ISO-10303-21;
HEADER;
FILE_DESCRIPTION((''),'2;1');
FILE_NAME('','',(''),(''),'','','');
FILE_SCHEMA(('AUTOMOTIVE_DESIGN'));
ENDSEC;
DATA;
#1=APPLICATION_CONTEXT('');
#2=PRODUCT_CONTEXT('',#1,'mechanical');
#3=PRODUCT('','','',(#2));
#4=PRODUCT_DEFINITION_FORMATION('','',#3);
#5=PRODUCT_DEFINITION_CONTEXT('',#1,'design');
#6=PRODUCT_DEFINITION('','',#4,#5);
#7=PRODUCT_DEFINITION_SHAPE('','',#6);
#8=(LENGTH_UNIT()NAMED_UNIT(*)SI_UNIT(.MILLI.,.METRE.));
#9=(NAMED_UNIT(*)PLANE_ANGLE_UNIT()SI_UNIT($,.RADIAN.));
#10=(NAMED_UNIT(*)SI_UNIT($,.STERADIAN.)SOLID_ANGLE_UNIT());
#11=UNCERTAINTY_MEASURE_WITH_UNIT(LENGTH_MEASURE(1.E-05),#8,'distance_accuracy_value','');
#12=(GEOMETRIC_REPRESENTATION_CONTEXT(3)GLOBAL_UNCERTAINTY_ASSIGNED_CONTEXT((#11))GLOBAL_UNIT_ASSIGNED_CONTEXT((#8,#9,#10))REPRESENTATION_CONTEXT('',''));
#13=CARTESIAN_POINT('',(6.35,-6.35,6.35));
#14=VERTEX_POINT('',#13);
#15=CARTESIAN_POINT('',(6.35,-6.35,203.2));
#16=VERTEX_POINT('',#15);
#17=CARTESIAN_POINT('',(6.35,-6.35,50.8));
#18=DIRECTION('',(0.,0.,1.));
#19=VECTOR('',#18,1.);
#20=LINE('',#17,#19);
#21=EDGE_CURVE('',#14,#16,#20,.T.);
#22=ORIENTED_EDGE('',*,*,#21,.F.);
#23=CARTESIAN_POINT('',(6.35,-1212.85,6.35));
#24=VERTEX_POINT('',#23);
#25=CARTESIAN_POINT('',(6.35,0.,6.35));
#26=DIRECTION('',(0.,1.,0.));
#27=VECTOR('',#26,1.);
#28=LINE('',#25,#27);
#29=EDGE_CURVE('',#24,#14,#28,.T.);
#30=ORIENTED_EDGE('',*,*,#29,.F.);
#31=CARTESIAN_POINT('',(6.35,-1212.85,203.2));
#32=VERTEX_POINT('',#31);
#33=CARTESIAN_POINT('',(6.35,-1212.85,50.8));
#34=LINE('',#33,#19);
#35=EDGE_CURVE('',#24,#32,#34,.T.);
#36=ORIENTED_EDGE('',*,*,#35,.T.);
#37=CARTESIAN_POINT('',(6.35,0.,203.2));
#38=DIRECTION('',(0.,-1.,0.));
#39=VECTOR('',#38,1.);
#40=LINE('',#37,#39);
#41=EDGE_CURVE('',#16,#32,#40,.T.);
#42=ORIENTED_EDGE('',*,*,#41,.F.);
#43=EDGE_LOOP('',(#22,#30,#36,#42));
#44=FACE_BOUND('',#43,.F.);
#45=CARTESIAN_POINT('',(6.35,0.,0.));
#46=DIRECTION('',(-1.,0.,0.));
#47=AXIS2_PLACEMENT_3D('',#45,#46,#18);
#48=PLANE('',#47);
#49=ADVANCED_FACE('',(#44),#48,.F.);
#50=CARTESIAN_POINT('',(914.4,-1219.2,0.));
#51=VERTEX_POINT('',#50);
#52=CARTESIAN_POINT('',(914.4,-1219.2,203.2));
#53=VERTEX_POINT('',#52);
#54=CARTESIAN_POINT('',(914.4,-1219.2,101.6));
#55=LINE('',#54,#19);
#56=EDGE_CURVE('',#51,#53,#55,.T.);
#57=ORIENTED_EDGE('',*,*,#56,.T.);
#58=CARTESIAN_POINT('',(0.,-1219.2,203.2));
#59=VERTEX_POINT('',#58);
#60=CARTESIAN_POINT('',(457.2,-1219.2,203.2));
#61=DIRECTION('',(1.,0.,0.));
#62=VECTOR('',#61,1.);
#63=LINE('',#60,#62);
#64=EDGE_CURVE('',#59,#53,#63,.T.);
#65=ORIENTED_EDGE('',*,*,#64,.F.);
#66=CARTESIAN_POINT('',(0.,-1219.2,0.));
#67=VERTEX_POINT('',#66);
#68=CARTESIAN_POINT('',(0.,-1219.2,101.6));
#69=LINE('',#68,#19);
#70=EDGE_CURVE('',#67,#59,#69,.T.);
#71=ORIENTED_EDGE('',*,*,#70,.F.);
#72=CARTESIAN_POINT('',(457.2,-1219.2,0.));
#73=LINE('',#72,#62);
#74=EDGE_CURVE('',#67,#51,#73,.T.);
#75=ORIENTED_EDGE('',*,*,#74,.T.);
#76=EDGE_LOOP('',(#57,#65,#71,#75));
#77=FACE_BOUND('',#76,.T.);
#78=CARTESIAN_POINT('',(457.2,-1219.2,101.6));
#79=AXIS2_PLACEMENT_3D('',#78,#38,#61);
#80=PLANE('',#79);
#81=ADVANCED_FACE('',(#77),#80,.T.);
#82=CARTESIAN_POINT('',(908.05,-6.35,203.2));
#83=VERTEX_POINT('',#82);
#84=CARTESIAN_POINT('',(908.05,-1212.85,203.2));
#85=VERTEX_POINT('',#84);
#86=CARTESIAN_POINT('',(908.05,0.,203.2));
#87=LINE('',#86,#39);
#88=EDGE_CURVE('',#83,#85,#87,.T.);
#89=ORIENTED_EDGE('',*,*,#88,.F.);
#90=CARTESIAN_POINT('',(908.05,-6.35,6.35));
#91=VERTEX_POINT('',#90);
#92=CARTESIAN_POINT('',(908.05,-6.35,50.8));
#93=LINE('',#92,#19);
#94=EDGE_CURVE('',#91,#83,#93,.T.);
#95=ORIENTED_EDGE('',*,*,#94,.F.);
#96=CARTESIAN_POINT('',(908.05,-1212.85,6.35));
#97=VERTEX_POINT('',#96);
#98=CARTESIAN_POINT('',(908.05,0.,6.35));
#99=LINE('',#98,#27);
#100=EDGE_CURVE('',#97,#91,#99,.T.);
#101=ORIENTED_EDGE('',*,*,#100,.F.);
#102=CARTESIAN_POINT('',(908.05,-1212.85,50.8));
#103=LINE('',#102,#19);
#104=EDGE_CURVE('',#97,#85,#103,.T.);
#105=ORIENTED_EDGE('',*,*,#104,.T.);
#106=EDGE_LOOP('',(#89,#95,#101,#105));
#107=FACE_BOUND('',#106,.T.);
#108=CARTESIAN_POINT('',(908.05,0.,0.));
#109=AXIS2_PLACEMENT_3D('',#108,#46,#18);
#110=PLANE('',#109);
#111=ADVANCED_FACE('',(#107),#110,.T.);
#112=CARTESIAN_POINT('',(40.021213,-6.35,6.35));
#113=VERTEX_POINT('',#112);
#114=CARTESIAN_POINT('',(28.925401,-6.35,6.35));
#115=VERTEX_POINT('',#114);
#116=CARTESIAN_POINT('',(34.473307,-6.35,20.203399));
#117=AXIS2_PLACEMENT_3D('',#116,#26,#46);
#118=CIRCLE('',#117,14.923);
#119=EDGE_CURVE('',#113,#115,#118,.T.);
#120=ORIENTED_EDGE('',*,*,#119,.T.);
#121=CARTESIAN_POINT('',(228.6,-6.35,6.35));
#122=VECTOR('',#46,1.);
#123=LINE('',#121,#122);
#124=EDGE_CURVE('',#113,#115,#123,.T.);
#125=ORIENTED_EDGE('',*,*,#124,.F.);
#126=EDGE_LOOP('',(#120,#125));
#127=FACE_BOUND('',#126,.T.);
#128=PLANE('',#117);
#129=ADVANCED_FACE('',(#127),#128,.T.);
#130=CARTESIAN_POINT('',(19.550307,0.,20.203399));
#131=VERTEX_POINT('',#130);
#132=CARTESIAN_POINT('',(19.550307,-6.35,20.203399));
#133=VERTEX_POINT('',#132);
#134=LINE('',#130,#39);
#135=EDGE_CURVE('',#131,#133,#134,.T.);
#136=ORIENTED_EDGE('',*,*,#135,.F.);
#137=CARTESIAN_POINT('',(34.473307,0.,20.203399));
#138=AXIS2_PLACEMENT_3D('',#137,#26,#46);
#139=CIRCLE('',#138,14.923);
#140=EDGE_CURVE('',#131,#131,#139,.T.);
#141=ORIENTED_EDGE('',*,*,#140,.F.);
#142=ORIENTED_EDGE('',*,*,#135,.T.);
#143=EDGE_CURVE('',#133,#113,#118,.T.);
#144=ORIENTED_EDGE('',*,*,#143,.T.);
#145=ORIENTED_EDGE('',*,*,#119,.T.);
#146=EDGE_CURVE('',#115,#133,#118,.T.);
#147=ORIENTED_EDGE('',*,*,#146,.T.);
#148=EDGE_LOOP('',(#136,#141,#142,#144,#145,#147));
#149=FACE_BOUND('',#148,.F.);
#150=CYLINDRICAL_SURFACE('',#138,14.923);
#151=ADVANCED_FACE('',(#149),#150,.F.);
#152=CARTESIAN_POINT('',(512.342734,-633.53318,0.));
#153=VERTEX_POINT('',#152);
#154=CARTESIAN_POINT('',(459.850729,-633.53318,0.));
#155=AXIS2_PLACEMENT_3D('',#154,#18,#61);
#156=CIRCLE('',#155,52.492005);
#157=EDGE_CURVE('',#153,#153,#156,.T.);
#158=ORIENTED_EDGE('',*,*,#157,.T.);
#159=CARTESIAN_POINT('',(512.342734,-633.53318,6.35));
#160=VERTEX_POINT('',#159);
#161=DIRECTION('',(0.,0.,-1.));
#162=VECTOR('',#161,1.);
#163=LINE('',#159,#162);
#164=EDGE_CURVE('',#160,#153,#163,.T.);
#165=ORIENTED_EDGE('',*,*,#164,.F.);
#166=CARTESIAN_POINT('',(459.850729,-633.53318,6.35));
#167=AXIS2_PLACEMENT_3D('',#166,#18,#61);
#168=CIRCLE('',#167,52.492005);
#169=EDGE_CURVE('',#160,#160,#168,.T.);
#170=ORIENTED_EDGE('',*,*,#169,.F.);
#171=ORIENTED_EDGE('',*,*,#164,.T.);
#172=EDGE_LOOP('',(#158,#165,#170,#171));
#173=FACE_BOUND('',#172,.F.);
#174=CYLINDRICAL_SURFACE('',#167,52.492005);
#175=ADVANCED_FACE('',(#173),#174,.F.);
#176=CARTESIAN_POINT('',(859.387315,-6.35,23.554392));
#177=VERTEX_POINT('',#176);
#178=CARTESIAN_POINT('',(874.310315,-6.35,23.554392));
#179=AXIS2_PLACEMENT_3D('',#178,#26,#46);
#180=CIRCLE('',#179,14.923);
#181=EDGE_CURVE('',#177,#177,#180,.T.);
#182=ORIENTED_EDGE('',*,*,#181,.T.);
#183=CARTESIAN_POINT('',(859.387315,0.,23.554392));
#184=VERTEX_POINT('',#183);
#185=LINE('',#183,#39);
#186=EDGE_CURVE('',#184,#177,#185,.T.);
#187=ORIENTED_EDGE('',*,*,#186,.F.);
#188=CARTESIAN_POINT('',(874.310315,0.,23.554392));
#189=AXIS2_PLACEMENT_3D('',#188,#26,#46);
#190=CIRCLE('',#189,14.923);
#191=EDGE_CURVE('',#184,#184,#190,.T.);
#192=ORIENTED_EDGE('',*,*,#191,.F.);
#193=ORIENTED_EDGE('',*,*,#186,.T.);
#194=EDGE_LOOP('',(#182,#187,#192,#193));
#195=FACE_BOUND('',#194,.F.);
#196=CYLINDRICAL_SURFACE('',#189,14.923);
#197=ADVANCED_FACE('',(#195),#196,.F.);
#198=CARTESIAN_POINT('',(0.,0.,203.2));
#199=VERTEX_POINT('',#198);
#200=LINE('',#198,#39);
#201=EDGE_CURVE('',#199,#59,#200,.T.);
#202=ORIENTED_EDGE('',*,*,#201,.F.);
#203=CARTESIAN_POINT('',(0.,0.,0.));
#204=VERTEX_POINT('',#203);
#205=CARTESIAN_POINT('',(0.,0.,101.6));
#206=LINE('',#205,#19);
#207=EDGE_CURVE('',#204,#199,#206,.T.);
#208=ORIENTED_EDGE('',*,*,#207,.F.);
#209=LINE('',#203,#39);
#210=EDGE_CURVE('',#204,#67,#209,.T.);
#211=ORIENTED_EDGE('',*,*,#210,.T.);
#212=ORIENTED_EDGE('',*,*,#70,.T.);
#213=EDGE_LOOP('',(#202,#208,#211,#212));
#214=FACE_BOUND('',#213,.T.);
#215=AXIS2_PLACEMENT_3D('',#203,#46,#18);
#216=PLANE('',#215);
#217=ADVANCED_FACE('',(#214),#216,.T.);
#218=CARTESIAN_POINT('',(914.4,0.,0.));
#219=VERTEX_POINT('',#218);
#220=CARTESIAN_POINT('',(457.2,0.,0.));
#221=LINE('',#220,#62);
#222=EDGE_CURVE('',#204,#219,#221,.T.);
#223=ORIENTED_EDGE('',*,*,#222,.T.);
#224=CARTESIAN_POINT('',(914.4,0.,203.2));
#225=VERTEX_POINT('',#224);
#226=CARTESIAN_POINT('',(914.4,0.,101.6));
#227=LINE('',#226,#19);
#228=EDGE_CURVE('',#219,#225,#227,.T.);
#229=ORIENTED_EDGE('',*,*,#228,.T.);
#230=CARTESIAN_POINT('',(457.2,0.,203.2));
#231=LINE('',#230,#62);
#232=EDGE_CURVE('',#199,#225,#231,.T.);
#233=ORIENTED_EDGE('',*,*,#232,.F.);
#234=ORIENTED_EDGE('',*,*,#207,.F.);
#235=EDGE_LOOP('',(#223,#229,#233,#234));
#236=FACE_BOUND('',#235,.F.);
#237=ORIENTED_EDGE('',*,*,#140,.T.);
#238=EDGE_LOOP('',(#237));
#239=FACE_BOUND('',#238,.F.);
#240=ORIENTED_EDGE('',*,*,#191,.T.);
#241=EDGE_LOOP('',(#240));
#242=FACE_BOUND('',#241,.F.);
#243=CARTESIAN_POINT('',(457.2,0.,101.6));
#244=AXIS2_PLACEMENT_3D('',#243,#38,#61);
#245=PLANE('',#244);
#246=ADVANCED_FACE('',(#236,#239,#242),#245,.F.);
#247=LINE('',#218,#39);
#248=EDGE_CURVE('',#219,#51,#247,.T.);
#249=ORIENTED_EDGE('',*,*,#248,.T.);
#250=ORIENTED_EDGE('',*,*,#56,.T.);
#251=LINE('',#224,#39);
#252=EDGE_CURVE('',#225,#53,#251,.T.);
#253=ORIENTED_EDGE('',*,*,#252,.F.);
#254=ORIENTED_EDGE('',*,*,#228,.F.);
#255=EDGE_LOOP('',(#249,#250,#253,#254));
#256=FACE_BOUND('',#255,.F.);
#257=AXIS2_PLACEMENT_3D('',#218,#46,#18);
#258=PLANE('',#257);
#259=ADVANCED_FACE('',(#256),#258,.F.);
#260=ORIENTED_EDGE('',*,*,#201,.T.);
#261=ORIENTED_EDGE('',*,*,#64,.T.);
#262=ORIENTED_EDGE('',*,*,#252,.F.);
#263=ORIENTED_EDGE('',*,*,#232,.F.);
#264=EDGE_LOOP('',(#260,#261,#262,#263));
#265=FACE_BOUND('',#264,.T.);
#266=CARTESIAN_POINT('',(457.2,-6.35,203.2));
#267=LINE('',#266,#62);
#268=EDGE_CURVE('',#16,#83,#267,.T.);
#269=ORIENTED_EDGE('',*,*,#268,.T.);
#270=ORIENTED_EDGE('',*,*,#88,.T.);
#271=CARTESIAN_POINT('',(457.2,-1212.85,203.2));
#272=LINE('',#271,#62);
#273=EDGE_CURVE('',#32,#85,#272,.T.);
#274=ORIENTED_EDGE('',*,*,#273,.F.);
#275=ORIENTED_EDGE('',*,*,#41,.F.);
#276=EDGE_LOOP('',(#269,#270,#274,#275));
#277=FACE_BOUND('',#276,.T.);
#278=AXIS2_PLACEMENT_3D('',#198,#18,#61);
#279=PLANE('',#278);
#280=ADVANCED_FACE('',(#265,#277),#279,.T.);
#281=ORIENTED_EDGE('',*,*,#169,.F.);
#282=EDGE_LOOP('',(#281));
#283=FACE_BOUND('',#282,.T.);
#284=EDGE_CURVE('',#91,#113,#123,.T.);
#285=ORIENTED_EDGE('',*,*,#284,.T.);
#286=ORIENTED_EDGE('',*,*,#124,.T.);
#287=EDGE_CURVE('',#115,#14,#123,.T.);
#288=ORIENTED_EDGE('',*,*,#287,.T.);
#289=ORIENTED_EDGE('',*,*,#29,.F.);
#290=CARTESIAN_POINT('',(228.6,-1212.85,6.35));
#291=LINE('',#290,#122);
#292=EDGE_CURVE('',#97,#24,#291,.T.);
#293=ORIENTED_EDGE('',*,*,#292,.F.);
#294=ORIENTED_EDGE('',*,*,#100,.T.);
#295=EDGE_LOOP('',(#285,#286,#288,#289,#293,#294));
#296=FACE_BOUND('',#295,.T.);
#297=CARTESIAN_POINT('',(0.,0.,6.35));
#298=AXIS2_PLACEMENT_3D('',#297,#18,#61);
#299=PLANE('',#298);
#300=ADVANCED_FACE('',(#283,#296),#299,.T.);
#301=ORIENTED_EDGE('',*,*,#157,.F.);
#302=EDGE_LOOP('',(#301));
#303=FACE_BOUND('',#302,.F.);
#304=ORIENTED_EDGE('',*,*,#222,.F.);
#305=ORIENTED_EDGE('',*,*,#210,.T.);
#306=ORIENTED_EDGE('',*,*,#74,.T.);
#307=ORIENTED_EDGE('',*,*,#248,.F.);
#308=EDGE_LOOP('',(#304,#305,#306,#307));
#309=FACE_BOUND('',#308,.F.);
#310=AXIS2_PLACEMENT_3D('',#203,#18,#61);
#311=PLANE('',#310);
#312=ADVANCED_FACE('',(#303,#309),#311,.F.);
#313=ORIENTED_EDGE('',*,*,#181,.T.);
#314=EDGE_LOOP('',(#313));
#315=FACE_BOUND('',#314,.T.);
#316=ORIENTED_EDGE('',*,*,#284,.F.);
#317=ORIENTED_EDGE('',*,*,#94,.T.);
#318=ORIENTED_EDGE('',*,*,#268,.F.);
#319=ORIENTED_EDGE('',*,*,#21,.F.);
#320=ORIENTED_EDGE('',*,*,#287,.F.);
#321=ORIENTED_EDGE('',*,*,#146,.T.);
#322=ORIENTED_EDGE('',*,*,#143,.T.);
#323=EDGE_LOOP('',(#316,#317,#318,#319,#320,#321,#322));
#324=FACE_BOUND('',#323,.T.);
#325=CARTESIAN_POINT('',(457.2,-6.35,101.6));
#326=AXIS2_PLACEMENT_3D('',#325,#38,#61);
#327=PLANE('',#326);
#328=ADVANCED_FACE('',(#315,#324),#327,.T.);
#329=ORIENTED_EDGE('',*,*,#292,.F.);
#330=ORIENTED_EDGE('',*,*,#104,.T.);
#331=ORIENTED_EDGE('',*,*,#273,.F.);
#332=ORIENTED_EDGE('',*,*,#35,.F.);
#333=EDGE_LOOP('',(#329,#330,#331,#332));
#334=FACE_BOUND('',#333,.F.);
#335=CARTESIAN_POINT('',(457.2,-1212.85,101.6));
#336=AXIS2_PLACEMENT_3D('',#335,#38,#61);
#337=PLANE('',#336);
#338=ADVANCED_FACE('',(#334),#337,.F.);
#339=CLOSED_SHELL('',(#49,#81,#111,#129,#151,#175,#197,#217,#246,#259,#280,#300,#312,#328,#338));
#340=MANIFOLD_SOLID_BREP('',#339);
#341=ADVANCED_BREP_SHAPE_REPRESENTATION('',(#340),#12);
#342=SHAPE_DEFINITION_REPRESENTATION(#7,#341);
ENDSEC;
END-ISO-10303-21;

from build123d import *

# Parameters (mm, degrees)
F0_W     = 914.4
F0_H     = 203.2
F1_DEPTH = 1219.2
F2_T     = -6.35
F3_R     = 14.923
F4_DEPTH = 6.35
F5_R     = 52.492005
F6_DEPTH = 6.351


with BuildPart() as f1:
    # F0 (on Front) → F1 (new body)
    with BuildSketch(Plane.XZ):
        with Locations((457.2, 101.6)):
            Rectangle(F0_W, F0_H)
    extrude(amount=F1_DEPTH)

    # F2
    f2_openings = [f1.faces().sort_by_distance(p)[0] for p in [
        (457.2, -609.6, 203.2),
    ]]
    offset(amount=F2_T, openings=f2_openings)

    # F3 (on face) → F4 (cut)
    with BuildSketch(Plane(origin=(0, 0, 0), x_dir=(-1, 0, 0), z_dir=(0, 1, 0))):
        with Locations((-874.310315, 23.554392)):
            Circle(F3_R)
        with Locations((-34.473307, 20.203399)):
            Circle(F3_R)
    extrude(amount=-F4_DEPTH, mode=Mode.SUBTRACT)

    # F5 (on face) → F6 (cut, through all)
    with BuildSketch(Plane.XY.offset(6.35)):
        with Locations((459.850729, -633.53318)):
            Circle(F5_R)
    extrude(amount=-F6_DEPTH, mode=Mode.SUBTRACT)


solid = f1.part
